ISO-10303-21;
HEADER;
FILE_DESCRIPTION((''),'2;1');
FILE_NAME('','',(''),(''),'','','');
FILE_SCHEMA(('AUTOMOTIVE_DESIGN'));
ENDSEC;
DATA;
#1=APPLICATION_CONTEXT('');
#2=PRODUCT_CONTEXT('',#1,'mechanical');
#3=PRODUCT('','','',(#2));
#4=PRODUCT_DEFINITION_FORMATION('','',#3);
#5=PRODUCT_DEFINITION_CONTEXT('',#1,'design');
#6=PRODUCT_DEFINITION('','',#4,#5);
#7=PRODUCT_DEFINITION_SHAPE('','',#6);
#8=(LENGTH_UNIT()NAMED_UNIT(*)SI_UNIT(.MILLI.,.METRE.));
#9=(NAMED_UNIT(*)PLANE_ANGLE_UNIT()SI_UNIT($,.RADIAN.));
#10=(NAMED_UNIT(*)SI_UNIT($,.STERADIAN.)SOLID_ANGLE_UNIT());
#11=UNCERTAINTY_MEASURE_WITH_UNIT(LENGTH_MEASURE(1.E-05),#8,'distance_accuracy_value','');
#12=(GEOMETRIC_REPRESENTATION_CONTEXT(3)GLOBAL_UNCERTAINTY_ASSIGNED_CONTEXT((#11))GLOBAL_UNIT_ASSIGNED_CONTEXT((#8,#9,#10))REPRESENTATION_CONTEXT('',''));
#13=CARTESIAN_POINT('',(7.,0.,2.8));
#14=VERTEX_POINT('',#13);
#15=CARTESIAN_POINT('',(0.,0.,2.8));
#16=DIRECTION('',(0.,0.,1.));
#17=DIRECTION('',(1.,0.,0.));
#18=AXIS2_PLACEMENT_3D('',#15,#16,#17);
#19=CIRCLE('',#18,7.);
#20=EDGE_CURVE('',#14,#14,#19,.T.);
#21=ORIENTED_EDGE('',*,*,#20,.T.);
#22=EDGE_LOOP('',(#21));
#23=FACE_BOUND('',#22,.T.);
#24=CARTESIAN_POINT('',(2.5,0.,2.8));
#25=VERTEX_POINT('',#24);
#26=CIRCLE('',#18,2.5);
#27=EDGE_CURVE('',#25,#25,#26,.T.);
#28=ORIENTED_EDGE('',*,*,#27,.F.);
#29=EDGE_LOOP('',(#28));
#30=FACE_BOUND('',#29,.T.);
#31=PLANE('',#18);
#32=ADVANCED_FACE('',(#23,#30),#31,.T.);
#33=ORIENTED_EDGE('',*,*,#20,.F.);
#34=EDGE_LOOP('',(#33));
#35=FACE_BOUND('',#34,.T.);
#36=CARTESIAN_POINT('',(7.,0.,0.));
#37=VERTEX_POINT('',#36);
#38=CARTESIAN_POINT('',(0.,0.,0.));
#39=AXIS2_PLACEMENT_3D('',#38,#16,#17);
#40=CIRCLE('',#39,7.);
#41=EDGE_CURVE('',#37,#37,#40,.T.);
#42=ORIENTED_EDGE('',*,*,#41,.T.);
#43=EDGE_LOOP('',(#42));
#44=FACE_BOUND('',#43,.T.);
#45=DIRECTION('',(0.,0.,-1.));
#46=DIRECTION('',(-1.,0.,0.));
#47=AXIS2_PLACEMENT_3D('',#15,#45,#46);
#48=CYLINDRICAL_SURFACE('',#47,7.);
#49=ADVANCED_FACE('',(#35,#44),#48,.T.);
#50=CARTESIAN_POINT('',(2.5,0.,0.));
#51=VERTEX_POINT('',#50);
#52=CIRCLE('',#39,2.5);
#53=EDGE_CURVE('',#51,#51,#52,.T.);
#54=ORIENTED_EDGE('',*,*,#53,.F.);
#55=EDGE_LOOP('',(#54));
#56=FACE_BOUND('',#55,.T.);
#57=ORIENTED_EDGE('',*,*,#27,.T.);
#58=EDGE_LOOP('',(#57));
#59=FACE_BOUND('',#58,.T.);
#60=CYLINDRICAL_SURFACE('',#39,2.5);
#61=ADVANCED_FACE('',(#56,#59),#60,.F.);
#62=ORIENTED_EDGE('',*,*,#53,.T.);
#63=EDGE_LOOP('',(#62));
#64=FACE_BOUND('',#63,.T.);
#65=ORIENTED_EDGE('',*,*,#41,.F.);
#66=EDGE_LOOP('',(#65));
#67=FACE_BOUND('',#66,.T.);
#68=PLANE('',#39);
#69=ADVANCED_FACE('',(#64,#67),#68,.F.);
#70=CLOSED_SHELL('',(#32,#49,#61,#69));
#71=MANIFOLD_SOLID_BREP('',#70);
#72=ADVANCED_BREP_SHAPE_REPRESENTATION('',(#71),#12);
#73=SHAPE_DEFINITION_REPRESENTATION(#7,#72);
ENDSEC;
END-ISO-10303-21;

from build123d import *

# Parameters (mm, degrees)
SKETCH_1_R          = 7
EXTRUDE_1_DEPTH     = 2.8
SKETCH_2_R          = 2.5
CUT_EXTRUDE_1_DEPTH = 2.8


with BuildPart() as part:
    # 草圖1 → 填料-伸長1 (new body)
    with BuildSketch(Plane.XY):
        Circle(SKETCH_1_R)
    extrude(amount=EXTRUDE_1_DEPTH)

    # 草圖2 → 除料-伸長1 (cut)
    with BuildSketch(Plane.XY.offset(2.8)):
        Circle(SKETCH_2_R)
    extrude(amount=-CUT_EXTRUDE_1_DEPTH, mode=Mode.SUBTRACT)


solid = part.part
